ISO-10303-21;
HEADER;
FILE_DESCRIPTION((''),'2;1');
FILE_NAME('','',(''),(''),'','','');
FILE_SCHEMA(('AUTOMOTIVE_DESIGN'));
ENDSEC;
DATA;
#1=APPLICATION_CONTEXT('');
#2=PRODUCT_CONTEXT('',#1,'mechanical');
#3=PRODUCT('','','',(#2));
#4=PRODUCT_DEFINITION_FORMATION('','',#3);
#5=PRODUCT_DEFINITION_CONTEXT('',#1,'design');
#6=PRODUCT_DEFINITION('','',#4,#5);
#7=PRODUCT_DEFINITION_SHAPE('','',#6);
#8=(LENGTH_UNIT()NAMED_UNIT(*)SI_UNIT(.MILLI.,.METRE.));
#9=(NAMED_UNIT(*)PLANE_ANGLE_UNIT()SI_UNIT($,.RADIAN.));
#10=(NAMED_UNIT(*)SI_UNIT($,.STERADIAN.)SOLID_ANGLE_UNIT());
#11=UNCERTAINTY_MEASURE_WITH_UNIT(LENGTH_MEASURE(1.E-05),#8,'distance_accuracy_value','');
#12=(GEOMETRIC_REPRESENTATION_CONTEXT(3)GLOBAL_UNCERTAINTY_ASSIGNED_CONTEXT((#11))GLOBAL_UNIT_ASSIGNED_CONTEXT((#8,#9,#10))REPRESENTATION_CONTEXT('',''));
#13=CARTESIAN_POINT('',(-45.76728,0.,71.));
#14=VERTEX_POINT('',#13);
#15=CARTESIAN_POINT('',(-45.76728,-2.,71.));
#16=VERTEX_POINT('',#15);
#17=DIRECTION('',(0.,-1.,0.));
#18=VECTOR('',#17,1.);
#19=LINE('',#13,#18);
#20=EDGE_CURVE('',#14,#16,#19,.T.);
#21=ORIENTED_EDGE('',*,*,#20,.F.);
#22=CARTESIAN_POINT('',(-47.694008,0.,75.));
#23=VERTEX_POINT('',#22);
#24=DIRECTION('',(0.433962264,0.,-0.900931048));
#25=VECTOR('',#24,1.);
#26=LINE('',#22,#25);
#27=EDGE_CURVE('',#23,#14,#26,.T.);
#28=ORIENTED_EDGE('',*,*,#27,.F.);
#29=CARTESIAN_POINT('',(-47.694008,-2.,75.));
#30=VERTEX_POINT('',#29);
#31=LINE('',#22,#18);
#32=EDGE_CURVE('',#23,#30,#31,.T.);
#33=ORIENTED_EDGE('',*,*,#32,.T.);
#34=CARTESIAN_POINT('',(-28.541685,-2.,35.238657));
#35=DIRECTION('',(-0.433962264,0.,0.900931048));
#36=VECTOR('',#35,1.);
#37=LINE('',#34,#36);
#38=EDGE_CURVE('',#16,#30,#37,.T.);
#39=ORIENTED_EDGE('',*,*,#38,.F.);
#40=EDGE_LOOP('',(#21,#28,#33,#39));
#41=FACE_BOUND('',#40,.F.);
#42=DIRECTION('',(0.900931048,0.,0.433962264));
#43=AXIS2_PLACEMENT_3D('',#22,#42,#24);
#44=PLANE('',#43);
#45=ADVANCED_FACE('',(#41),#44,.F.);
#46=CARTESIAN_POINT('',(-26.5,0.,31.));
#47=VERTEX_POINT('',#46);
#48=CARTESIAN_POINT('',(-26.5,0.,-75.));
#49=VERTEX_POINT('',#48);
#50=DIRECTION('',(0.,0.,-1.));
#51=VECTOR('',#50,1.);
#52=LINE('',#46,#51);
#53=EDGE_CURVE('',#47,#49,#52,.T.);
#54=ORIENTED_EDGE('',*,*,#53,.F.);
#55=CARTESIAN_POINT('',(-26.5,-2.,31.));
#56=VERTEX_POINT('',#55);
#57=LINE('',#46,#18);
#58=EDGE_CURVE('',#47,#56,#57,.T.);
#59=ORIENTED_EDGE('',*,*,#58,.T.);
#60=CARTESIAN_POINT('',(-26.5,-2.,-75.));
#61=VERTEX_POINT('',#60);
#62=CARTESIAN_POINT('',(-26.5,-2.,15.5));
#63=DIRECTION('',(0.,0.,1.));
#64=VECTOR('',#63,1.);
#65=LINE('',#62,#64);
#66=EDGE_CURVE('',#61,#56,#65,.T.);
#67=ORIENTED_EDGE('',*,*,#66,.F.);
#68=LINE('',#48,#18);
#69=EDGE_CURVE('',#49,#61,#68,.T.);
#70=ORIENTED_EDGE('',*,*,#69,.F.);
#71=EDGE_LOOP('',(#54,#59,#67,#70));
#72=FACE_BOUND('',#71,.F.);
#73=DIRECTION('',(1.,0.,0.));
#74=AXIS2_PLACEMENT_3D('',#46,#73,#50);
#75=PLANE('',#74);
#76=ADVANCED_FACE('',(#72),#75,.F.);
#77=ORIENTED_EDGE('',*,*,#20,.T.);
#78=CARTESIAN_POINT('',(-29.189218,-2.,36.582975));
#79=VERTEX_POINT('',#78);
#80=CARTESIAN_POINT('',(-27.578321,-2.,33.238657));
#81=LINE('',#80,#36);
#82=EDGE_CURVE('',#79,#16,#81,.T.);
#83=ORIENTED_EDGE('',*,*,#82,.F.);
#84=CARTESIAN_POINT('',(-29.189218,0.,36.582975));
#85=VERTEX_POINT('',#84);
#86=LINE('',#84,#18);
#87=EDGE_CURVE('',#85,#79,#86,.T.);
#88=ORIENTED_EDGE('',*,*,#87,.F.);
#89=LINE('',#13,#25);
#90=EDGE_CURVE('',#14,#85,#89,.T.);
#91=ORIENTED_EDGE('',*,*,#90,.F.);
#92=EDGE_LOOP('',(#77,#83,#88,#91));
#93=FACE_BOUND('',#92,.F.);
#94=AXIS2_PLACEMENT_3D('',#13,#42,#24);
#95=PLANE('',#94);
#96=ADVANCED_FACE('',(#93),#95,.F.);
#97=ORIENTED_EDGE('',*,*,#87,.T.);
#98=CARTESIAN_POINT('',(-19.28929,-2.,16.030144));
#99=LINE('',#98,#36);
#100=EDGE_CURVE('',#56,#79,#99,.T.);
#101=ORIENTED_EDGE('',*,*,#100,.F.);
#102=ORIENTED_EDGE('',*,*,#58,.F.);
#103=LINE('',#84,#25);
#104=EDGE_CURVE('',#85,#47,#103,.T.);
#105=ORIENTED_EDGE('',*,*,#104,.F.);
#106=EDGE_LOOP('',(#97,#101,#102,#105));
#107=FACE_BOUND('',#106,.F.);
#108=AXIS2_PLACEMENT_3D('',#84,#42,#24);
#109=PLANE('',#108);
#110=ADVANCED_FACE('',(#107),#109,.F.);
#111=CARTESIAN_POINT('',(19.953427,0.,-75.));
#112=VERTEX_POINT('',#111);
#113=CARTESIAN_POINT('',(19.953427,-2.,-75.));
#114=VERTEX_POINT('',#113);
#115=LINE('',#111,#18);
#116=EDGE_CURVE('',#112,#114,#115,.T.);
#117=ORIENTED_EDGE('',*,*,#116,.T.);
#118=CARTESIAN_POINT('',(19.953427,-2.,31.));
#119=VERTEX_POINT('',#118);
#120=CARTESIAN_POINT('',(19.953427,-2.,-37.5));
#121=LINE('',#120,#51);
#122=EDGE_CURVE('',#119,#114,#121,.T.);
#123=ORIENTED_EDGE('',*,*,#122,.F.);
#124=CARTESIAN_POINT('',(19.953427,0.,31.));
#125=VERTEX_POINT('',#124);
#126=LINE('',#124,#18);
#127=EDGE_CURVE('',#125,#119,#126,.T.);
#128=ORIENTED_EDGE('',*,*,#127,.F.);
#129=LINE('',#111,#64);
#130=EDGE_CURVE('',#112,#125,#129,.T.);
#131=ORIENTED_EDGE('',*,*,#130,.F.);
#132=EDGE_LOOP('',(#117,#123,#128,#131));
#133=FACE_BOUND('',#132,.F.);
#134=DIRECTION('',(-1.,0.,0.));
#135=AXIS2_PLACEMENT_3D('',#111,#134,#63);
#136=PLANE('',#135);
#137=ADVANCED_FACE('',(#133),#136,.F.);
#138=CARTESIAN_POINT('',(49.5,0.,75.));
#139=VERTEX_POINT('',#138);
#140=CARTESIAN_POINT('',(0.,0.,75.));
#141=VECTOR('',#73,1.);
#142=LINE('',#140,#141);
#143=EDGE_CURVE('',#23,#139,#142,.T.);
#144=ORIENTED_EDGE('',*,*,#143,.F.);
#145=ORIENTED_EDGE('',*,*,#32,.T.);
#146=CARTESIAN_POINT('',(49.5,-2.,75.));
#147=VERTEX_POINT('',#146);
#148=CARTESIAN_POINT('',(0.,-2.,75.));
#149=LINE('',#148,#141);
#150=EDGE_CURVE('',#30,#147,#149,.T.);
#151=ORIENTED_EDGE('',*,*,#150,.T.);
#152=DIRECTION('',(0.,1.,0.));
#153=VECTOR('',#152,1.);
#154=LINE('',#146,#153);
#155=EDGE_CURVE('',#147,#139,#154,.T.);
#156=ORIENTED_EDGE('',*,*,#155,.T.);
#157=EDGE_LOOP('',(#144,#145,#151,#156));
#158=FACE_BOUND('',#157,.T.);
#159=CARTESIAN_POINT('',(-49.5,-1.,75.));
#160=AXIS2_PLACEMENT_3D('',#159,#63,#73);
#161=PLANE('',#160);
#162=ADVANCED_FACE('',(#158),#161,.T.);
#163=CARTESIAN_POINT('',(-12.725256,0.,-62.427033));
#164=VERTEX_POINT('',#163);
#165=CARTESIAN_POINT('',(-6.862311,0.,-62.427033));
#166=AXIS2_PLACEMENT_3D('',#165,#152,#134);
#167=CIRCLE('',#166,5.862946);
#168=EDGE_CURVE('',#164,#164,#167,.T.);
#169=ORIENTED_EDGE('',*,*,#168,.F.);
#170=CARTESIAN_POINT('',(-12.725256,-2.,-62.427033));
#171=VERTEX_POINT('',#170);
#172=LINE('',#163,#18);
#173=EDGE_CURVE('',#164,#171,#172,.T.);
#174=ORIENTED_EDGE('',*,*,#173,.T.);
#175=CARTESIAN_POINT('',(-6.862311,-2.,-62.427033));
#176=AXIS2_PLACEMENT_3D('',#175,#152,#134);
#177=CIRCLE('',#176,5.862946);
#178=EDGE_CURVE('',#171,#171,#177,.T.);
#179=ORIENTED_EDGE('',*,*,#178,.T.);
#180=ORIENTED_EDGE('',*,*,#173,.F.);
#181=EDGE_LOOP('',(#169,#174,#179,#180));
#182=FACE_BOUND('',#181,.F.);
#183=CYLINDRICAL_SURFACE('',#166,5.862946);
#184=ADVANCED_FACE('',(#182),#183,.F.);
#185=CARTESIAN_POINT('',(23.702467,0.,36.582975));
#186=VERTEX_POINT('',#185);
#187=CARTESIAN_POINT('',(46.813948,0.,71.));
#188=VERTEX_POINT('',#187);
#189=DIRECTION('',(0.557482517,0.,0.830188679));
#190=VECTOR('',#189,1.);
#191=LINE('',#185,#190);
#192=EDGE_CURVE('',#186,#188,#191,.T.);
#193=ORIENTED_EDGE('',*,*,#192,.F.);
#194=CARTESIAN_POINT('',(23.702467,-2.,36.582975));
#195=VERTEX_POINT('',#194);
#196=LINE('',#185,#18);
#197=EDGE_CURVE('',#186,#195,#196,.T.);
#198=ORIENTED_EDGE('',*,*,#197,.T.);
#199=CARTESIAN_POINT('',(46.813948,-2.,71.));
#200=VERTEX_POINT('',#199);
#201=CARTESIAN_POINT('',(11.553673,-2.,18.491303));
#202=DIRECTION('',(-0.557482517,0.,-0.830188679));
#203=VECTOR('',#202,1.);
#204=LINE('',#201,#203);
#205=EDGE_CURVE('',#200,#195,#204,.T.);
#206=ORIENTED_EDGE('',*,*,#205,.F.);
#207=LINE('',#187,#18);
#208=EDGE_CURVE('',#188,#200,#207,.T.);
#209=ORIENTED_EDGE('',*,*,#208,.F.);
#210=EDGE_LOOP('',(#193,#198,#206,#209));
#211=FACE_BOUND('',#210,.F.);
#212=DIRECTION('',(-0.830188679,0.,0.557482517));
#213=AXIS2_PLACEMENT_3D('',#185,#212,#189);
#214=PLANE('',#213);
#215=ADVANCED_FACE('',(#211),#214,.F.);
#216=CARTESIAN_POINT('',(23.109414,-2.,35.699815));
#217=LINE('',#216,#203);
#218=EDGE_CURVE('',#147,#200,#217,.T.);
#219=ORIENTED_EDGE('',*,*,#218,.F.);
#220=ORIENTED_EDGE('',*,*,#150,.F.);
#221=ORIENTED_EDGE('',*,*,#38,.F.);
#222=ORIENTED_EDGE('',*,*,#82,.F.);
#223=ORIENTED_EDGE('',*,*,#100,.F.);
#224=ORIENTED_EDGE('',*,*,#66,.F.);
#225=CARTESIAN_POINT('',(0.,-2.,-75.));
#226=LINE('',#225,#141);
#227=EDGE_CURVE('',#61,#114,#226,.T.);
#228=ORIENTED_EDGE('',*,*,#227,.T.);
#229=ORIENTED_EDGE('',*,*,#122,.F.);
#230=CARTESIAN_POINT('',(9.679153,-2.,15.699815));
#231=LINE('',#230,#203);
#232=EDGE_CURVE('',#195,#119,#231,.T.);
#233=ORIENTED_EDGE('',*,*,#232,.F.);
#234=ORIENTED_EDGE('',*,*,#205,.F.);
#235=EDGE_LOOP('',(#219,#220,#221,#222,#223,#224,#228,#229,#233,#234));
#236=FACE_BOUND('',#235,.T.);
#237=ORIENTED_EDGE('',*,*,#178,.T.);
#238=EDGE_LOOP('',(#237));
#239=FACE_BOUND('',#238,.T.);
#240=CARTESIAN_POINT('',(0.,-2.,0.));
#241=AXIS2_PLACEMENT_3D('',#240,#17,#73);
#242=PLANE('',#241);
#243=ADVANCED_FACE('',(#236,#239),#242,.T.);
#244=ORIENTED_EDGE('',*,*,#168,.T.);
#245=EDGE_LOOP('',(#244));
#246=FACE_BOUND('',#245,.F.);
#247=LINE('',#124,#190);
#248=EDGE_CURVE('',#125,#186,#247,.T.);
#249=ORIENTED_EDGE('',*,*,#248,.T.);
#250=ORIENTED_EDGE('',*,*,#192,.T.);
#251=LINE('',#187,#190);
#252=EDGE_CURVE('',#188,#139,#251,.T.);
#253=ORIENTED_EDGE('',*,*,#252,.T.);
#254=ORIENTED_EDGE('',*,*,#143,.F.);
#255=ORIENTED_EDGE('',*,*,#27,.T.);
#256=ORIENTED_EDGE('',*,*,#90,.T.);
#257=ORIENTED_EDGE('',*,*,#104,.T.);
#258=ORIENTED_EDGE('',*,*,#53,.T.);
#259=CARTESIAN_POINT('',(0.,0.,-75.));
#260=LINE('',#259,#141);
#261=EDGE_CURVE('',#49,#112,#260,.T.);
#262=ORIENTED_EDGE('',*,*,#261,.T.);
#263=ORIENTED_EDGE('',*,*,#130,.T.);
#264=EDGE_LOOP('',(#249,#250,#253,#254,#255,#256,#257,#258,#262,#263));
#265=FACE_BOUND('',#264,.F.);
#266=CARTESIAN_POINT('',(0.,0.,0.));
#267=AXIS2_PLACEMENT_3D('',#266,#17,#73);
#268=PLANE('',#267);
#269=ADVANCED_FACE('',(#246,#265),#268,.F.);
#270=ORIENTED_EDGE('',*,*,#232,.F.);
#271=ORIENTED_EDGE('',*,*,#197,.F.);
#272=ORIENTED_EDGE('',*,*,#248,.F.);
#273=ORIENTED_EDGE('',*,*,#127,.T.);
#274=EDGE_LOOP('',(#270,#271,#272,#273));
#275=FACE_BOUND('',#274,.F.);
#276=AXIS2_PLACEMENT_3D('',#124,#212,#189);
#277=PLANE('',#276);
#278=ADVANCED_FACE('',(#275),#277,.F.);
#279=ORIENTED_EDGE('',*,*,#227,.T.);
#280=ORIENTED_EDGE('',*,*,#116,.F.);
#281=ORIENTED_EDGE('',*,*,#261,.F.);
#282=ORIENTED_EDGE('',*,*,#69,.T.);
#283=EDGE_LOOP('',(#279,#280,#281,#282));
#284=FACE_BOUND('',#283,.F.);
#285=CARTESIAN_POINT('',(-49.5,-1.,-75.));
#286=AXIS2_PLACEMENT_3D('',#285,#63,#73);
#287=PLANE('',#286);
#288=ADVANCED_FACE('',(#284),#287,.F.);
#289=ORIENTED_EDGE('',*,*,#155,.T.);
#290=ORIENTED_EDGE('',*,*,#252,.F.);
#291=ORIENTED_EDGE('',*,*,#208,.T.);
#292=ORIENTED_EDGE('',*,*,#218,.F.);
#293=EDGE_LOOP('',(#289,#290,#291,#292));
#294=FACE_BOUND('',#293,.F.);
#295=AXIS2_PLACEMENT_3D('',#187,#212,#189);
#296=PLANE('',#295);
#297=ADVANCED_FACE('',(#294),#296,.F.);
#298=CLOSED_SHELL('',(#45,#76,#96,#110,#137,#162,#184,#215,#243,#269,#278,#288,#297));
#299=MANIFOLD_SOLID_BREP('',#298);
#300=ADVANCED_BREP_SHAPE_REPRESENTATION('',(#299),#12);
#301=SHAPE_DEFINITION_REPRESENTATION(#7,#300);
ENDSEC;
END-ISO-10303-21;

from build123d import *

# Parameters (mm, degrees)
F0_W       = 99
F0_H       = 150
F1_DEPTH   = 1
F1_FACE1_W = 99
F1_FACE1_H = 150
F2_R       = 5.8629456908
F3_DEPTH   = 1
F4_DEPTH   = 25
F6_DEPTH   = 25


with BuildPart() as f1:
    # F0 (on Front) → F1 (new body)
    with BuildSketch(Plane.XZ):
        Rectangle(F0_W, F0_H)
    extrude(amount=F1_DEPTH)

    # F1_face1 (on face) + F2 (on face) → F3 (join)
    with BuildSketch(Plane.XZ.offset(1)):
        Rectangle(F1_FACE1_W, F1_FACE1_H)
    with BuildSketch(Plane(origin=(0, 0, 0), x_dir=(-1, 0, 0), z_dir=(0, 1, 0))):
        with Locations((6.8623106927, -62.4270327389)):
            Circle(F2_R)
    extrude(amount=F3_DEPTH, dir=(0, -1, 0))

    # F2 (on face) → F4 (cut)
    with BuildSketch(Plane(origin=(0, 0, 0), x_dir=(-1, 0, 0), z_dir=(0, 1, 0))):
        with Locations((6.8623106927, -62.4270327389)):
            Circle(F2_R)
    extrude(amount=-F4_DEPTH, mode=Mode.SUBTRACT)

    # F5 (on face) → F6 (cut)
    with BuildSketch(Plane(origin=(0, 0, 0), x_dir=(-1, 0, 0), z_dir=(0, 1, 0))):
        Polygon((-49.5, -75), (-19.9534265946, -75), (-19.9534265946, 31), (-23.702466874, 36.5829747168), (-46.8139478722, 71), (-49.5, 75), align=None)
        Polygon((26.5, 31), (26.5, -75), (49.5, -75), (49.5, 75), (47.6940077596, 75), (45.7672797814, 71), (29.1892183971, 36.5829747168), align=None)
    extrude(amount=-F6_DEPTH, mode=Mode.SUBTRACT)


solid = f1.part
